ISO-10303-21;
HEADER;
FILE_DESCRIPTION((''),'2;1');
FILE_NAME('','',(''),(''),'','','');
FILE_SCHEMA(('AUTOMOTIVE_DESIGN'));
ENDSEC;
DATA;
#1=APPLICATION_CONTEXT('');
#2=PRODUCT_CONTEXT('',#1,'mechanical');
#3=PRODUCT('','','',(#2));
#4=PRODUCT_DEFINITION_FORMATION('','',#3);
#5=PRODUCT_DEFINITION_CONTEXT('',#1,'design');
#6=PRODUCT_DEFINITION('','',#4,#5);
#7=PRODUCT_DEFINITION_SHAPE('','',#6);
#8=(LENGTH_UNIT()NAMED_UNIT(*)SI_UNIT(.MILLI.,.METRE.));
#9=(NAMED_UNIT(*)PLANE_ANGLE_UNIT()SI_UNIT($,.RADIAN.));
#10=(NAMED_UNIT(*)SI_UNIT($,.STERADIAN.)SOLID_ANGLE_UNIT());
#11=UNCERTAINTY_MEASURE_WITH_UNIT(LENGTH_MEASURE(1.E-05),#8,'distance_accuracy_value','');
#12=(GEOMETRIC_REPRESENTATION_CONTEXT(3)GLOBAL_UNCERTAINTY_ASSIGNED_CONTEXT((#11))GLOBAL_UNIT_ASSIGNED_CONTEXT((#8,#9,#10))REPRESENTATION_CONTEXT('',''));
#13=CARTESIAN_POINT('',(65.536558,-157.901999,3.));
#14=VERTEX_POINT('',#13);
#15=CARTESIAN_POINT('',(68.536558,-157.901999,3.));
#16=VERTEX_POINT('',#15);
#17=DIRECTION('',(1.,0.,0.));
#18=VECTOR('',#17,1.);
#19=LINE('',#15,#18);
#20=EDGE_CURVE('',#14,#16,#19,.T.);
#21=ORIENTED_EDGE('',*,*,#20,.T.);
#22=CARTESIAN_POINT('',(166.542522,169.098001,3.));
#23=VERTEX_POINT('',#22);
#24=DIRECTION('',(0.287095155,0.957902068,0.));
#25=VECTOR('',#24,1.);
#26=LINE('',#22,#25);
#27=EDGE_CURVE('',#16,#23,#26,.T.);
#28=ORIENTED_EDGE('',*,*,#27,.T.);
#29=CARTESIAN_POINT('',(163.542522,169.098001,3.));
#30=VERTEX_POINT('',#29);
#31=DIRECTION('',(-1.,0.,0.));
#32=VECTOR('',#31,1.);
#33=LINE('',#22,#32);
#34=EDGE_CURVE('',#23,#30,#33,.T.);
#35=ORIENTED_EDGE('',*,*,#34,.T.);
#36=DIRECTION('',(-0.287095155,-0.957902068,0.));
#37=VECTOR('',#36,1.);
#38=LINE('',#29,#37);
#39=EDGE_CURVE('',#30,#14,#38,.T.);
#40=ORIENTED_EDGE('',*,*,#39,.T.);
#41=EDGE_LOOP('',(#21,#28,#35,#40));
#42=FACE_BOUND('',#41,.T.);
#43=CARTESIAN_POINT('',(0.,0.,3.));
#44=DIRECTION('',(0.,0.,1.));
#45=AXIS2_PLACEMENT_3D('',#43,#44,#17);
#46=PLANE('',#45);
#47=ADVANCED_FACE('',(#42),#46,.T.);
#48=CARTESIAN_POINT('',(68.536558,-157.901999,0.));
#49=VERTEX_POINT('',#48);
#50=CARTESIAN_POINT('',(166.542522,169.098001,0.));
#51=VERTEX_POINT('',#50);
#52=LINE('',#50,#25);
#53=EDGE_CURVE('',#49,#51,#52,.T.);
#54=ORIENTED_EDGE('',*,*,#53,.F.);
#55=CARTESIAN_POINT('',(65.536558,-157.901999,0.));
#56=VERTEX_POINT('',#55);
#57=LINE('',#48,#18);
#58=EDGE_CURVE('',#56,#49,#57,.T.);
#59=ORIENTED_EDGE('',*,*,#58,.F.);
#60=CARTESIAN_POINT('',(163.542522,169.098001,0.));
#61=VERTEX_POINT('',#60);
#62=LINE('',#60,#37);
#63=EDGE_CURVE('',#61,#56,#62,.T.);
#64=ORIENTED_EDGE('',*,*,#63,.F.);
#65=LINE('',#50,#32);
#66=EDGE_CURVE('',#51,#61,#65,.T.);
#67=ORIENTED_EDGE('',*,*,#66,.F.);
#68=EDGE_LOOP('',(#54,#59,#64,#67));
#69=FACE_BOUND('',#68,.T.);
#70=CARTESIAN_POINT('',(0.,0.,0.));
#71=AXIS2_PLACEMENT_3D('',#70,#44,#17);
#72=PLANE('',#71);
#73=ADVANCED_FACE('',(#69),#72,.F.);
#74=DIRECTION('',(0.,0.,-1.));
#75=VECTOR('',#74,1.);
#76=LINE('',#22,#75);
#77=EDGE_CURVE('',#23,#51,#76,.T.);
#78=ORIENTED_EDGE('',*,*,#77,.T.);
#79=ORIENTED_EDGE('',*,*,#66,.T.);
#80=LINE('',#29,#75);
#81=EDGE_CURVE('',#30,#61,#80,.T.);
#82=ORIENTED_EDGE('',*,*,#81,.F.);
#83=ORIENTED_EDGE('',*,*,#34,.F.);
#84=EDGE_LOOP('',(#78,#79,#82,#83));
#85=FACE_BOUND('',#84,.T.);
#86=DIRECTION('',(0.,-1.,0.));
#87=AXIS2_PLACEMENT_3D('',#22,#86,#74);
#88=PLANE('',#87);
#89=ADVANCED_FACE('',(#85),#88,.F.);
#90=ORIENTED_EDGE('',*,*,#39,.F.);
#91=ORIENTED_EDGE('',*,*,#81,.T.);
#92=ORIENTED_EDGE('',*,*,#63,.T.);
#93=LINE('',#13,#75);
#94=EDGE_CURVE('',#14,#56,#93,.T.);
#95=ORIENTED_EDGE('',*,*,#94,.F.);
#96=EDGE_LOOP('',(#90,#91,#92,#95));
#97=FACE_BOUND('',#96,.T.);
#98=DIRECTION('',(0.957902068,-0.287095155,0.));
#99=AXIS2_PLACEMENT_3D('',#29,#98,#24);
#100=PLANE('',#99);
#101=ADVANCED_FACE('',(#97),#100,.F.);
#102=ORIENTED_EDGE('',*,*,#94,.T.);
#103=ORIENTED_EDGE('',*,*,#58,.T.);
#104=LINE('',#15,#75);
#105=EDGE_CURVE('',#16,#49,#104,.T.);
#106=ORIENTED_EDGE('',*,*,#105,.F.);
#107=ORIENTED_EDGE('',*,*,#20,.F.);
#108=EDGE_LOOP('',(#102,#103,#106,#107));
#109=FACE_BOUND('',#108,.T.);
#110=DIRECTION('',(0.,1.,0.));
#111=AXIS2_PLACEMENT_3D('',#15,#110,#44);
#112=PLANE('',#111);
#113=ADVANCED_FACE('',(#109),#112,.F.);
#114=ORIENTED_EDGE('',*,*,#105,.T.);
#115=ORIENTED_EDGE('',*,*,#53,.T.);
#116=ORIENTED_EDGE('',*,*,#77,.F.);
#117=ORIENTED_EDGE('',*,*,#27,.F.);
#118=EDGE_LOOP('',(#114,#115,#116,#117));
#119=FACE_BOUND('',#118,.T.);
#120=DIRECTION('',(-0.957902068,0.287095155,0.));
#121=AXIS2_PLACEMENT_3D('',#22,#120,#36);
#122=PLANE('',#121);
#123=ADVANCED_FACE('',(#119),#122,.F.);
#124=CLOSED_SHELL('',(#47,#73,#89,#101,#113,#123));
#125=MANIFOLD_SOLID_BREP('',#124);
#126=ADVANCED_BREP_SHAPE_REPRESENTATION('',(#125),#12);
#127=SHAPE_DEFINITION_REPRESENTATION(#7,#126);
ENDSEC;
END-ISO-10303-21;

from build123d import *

# Parameters (mm, degrees)
EXTRUDE_1_DEPTH = 3


with BuildPart() as part:
    # Model → 凸台-拉伸1 (new body)
    with BuildSketch(Plane.XY):
        Polygon((166.542522138, 169.098000971), (68.536558189, -157.901999029), (65.536558189, -157.901999029), (163.542522138, 169.098000971), align=None)
    extrude(amount=EXTRUDE_1_DEPTH)


solid = part.part
